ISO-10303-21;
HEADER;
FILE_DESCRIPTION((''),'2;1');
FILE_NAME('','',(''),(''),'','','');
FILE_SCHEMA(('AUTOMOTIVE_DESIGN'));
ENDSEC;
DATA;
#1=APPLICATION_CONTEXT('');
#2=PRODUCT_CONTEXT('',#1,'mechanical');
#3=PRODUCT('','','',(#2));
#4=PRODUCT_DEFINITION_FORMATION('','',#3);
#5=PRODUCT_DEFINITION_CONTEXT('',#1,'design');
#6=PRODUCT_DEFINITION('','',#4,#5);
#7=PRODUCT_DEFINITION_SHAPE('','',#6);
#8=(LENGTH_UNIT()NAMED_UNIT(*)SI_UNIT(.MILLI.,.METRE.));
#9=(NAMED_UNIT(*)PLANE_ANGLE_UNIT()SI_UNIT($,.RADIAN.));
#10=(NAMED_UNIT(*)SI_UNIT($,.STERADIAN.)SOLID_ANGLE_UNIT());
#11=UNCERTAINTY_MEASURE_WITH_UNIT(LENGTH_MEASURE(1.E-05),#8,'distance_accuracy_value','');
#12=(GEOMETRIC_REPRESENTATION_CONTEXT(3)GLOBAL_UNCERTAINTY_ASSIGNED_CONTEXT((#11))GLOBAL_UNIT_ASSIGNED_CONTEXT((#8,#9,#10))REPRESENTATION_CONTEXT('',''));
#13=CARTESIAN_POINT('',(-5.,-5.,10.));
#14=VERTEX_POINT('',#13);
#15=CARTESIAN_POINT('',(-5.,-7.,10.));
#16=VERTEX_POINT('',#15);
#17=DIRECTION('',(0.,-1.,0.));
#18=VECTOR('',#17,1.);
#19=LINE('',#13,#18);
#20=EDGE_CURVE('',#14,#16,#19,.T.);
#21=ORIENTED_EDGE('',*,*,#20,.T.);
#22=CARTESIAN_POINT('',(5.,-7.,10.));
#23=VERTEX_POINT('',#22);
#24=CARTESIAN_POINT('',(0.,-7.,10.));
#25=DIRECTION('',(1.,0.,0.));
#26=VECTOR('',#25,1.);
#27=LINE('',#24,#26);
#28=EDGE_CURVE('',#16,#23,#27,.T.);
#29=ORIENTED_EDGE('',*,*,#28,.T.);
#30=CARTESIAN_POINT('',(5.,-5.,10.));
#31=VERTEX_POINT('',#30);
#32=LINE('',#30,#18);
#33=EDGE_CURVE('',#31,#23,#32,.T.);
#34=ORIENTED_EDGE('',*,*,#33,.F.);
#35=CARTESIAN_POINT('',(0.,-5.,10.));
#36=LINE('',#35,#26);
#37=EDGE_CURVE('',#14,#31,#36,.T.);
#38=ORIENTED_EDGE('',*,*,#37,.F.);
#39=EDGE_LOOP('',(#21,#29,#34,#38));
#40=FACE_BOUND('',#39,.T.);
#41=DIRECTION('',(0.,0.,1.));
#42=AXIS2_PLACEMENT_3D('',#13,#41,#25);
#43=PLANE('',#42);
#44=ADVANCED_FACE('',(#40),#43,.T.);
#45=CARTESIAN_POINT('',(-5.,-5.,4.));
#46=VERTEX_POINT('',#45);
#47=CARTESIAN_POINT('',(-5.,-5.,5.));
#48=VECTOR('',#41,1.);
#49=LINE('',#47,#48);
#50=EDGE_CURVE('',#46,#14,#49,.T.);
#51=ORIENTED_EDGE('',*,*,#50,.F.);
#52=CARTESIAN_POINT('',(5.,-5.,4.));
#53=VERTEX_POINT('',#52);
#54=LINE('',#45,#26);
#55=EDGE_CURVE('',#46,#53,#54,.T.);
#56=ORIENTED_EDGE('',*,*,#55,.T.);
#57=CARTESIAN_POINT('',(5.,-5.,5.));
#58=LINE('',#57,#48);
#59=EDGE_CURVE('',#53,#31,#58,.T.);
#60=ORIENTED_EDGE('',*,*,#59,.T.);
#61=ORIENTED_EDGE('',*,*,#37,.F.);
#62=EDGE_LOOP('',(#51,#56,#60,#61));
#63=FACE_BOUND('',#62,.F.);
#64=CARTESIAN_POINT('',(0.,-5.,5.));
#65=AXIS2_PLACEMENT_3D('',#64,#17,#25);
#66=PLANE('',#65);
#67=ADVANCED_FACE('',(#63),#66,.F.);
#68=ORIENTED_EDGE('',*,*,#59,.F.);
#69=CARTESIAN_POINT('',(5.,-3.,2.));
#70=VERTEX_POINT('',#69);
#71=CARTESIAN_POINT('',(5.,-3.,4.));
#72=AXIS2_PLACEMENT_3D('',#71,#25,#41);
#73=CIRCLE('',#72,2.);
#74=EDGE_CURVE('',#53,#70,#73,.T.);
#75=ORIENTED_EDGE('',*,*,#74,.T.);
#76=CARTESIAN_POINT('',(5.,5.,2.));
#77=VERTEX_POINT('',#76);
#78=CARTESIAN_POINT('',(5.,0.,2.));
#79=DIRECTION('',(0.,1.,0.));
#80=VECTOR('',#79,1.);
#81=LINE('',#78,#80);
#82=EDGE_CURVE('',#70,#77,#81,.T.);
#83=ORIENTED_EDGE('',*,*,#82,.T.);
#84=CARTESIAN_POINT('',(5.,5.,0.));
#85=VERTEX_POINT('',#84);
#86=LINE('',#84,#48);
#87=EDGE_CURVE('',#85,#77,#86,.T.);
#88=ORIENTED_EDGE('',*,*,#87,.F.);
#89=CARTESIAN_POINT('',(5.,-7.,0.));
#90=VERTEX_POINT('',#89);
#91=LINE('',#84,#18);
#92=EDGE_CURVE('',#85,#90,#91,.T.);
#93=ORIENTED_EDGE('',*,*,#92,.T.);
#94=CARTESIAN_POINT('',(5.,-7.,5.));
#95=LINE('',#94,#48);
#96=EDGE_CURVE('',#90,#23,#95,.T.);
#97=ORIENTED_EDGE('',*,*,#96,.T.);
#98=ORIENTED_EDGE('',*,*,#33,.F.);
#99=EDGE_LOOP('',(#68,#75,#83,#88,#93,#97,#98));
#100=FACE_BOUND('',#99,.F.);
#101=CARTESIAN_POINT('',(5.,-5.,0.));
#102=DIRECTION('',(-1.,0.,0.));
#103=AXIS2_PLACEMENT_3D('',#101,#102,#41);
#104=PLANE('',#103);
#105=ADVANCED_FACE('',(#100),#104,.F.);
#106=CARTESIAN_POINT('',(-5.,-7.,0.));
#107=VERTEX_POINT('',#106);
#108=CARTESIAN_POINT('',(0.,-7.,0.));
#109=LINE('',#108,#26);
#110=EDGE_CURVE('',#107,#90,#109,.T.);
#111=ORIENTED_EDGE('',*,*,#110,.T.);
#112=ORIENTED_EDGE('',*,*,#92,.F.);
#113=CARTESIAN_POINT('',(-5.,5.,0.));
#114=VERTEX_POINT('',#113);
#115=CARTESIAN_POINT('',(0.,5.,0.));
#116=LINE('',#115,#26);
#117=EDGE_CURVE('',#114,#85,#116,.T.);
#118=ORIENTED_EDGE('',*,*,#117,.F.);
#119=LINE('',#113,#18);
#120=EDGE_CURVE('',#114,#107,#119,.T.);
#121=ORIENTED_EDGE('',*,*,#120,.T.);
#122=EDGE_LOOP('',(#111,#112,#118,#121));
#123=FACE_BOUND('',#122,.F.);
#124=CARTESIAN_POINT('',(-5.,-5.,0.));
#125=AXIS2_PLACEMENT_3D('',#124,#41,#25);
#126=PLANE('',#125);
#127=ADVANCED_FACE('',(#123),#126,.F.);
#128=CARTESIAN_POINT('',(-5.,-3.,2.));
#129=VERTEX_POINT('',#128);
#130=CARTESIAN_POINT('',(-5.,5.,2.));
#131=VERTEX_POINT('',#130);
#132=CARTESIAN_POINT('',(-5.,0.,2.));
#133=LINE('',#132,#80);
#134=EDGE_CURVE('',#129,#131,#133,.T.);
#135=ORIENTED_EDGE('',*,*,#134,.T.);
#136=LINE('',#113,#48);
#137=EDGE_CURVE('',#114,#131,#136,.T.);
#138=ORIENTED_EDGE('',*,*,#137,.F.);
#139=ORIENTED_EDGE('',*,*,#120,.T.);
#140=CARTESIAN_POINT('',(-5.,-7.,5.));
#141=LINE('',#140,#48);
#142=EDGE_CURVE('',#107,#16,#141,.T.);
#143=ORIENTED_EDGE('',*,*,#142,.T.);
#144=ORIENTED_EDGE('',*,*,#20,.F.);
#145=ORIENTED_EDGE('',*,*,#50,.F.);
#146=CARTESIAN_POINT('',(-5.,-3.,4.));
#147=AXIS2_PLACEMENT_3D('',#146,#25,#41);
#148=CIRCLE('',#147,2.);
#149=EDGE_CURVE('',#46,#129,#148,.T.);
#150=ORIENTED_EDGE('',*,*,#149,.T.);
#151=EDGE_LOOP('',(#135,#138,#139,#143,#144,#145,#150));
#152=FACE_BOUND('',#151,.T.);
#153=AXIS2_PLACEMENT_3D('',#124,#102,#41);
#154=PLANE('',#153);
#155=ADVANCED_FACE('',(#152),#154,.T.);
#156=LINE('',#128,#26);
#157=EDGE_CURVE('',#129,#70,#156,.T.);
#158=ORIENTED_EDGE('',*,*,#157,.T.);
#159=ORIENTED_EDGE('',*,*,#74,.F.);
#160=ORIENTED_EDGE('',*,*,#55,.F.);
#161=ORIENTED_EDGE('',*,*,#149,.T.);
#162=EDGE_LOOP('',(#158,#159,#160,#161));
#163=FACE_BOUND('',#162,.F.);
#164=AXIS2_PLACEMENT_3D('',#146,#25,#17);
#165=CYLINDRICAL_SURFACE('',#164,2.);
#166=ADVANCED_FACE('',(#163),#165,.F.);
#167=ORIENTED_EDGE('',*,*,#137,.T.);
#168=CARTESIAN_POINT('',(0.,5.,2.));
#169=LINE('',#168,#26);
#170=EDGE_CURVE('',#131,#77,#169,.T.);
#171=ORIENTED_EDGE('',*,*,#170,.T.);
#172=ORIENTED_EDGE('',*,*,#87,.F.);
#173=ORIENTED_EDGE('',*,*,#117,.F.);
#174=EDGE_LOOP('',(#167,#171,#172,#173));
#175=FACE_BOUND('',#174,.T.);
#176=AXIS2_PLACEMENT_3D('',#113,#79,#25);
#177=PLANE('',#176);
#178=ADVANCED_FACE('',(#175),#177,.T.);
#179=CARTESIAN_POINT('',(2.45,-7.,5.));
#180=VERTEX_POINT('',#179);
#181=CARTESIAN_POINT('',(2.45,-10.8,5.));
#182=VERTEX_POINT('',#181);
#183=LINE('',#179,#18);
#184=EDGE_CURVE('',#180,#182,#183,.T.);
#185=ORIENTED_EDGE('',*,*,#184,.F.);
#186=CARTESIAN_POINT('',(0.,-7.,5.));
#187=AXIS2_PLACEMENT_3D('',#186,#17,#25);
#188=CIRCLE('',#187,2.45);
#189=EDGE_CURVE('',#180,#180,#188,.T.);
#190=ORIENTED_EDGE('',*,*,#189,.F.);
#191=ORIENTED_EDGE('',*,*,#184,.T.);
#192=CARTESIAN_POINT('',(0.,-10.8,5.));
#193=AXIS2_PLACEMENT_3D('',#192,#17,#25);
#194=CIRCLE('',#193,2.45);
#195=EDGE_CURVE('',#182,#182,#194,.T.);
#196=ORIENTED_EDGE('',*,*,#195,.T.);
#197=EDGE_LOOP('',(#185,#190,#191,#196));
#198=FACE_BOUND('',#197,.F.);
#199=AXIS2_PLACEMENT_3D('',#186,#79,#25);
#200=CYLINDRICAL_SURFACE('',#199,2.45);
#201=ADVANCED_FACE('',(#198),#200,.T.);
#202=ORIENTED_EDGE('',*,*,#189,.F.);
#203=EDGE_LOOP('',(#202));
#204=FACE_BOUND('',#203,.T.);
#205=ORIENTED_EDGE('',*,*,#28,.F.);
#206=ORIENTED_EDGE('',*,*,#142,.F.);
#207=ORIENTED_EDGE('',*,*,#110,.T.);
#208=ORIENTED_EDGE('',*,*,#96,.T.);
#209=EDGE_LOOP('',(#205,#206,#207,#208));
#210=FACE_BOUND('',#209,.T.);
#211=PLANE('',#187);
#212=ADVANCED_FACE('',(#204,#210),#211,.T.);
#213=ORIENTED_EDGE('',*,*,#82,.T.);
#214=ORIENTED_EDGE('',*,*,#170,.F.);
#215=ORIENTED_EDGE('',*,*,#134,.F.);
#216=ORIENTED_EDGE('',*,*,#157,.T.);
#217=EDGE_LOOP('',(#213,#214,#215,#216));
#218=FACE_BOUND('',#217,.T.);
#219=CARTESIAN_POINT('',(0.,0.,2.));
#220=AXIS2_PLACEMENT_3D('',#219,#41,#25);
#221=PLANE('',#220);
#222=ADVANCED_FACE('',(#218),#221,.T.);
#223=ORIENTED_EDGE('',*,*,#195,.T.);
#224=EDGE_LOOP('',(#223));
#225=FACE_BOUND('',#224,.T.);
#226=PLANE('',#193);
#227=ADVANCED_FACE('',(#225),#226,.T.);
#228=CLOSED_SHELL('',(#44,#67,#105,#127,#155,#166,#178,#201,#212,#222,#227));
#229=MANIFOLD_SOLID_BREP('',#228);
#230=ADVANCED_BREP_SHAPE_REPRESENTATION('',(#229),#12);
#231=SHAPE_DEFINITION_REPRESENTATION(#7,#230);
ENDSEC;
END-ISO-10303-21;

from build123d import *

# Parameters (mm, degrees)
SKETCH_W     = 10
SKETCH_H     = 10
PAD_DEPTH    = 2
SKETCH001_W  = 10
SKETCH001_H  = 10
PAD001_DEPTH = 2
SKETCH002_R  = 2.45
PAD002_DEPTH = 3.8
FILLET_R     = 2


with BuildPart() as part:
    # Sketch → Pad (new body)
    with BuildSketch(Plane.XY):
        Rectangle(SKETCH_W, SKETCH_H)
    extrude(amount=PAD_DEPTH)

    # Sketch001 (on Face3 of Pad) → Pad001 (join)
    with BuildSketch(Plane.XZ.offset(5)):
        with Locations((0, 5)):
            Rectangle(SKETCH001_W, SKETCH001_H)
    extrude(amount=PAD001_DEPTH)

    # Sketch002 → Pad002 (join)
    with BuildSketch(Plane.XZ.offset(7)):
        with Locations((0, 5)):
            Circle(SKETCH002_R)
    extrude(amount=PAD002_DEPTH)

    # Fillet
    fillet_edges = [part.edges().sort_by_distance(p)[0] for p in [
        (0, -5, 2),
    ]]
    fillet(fillet_edges, radius=FILLET_R)


solid = part.part
